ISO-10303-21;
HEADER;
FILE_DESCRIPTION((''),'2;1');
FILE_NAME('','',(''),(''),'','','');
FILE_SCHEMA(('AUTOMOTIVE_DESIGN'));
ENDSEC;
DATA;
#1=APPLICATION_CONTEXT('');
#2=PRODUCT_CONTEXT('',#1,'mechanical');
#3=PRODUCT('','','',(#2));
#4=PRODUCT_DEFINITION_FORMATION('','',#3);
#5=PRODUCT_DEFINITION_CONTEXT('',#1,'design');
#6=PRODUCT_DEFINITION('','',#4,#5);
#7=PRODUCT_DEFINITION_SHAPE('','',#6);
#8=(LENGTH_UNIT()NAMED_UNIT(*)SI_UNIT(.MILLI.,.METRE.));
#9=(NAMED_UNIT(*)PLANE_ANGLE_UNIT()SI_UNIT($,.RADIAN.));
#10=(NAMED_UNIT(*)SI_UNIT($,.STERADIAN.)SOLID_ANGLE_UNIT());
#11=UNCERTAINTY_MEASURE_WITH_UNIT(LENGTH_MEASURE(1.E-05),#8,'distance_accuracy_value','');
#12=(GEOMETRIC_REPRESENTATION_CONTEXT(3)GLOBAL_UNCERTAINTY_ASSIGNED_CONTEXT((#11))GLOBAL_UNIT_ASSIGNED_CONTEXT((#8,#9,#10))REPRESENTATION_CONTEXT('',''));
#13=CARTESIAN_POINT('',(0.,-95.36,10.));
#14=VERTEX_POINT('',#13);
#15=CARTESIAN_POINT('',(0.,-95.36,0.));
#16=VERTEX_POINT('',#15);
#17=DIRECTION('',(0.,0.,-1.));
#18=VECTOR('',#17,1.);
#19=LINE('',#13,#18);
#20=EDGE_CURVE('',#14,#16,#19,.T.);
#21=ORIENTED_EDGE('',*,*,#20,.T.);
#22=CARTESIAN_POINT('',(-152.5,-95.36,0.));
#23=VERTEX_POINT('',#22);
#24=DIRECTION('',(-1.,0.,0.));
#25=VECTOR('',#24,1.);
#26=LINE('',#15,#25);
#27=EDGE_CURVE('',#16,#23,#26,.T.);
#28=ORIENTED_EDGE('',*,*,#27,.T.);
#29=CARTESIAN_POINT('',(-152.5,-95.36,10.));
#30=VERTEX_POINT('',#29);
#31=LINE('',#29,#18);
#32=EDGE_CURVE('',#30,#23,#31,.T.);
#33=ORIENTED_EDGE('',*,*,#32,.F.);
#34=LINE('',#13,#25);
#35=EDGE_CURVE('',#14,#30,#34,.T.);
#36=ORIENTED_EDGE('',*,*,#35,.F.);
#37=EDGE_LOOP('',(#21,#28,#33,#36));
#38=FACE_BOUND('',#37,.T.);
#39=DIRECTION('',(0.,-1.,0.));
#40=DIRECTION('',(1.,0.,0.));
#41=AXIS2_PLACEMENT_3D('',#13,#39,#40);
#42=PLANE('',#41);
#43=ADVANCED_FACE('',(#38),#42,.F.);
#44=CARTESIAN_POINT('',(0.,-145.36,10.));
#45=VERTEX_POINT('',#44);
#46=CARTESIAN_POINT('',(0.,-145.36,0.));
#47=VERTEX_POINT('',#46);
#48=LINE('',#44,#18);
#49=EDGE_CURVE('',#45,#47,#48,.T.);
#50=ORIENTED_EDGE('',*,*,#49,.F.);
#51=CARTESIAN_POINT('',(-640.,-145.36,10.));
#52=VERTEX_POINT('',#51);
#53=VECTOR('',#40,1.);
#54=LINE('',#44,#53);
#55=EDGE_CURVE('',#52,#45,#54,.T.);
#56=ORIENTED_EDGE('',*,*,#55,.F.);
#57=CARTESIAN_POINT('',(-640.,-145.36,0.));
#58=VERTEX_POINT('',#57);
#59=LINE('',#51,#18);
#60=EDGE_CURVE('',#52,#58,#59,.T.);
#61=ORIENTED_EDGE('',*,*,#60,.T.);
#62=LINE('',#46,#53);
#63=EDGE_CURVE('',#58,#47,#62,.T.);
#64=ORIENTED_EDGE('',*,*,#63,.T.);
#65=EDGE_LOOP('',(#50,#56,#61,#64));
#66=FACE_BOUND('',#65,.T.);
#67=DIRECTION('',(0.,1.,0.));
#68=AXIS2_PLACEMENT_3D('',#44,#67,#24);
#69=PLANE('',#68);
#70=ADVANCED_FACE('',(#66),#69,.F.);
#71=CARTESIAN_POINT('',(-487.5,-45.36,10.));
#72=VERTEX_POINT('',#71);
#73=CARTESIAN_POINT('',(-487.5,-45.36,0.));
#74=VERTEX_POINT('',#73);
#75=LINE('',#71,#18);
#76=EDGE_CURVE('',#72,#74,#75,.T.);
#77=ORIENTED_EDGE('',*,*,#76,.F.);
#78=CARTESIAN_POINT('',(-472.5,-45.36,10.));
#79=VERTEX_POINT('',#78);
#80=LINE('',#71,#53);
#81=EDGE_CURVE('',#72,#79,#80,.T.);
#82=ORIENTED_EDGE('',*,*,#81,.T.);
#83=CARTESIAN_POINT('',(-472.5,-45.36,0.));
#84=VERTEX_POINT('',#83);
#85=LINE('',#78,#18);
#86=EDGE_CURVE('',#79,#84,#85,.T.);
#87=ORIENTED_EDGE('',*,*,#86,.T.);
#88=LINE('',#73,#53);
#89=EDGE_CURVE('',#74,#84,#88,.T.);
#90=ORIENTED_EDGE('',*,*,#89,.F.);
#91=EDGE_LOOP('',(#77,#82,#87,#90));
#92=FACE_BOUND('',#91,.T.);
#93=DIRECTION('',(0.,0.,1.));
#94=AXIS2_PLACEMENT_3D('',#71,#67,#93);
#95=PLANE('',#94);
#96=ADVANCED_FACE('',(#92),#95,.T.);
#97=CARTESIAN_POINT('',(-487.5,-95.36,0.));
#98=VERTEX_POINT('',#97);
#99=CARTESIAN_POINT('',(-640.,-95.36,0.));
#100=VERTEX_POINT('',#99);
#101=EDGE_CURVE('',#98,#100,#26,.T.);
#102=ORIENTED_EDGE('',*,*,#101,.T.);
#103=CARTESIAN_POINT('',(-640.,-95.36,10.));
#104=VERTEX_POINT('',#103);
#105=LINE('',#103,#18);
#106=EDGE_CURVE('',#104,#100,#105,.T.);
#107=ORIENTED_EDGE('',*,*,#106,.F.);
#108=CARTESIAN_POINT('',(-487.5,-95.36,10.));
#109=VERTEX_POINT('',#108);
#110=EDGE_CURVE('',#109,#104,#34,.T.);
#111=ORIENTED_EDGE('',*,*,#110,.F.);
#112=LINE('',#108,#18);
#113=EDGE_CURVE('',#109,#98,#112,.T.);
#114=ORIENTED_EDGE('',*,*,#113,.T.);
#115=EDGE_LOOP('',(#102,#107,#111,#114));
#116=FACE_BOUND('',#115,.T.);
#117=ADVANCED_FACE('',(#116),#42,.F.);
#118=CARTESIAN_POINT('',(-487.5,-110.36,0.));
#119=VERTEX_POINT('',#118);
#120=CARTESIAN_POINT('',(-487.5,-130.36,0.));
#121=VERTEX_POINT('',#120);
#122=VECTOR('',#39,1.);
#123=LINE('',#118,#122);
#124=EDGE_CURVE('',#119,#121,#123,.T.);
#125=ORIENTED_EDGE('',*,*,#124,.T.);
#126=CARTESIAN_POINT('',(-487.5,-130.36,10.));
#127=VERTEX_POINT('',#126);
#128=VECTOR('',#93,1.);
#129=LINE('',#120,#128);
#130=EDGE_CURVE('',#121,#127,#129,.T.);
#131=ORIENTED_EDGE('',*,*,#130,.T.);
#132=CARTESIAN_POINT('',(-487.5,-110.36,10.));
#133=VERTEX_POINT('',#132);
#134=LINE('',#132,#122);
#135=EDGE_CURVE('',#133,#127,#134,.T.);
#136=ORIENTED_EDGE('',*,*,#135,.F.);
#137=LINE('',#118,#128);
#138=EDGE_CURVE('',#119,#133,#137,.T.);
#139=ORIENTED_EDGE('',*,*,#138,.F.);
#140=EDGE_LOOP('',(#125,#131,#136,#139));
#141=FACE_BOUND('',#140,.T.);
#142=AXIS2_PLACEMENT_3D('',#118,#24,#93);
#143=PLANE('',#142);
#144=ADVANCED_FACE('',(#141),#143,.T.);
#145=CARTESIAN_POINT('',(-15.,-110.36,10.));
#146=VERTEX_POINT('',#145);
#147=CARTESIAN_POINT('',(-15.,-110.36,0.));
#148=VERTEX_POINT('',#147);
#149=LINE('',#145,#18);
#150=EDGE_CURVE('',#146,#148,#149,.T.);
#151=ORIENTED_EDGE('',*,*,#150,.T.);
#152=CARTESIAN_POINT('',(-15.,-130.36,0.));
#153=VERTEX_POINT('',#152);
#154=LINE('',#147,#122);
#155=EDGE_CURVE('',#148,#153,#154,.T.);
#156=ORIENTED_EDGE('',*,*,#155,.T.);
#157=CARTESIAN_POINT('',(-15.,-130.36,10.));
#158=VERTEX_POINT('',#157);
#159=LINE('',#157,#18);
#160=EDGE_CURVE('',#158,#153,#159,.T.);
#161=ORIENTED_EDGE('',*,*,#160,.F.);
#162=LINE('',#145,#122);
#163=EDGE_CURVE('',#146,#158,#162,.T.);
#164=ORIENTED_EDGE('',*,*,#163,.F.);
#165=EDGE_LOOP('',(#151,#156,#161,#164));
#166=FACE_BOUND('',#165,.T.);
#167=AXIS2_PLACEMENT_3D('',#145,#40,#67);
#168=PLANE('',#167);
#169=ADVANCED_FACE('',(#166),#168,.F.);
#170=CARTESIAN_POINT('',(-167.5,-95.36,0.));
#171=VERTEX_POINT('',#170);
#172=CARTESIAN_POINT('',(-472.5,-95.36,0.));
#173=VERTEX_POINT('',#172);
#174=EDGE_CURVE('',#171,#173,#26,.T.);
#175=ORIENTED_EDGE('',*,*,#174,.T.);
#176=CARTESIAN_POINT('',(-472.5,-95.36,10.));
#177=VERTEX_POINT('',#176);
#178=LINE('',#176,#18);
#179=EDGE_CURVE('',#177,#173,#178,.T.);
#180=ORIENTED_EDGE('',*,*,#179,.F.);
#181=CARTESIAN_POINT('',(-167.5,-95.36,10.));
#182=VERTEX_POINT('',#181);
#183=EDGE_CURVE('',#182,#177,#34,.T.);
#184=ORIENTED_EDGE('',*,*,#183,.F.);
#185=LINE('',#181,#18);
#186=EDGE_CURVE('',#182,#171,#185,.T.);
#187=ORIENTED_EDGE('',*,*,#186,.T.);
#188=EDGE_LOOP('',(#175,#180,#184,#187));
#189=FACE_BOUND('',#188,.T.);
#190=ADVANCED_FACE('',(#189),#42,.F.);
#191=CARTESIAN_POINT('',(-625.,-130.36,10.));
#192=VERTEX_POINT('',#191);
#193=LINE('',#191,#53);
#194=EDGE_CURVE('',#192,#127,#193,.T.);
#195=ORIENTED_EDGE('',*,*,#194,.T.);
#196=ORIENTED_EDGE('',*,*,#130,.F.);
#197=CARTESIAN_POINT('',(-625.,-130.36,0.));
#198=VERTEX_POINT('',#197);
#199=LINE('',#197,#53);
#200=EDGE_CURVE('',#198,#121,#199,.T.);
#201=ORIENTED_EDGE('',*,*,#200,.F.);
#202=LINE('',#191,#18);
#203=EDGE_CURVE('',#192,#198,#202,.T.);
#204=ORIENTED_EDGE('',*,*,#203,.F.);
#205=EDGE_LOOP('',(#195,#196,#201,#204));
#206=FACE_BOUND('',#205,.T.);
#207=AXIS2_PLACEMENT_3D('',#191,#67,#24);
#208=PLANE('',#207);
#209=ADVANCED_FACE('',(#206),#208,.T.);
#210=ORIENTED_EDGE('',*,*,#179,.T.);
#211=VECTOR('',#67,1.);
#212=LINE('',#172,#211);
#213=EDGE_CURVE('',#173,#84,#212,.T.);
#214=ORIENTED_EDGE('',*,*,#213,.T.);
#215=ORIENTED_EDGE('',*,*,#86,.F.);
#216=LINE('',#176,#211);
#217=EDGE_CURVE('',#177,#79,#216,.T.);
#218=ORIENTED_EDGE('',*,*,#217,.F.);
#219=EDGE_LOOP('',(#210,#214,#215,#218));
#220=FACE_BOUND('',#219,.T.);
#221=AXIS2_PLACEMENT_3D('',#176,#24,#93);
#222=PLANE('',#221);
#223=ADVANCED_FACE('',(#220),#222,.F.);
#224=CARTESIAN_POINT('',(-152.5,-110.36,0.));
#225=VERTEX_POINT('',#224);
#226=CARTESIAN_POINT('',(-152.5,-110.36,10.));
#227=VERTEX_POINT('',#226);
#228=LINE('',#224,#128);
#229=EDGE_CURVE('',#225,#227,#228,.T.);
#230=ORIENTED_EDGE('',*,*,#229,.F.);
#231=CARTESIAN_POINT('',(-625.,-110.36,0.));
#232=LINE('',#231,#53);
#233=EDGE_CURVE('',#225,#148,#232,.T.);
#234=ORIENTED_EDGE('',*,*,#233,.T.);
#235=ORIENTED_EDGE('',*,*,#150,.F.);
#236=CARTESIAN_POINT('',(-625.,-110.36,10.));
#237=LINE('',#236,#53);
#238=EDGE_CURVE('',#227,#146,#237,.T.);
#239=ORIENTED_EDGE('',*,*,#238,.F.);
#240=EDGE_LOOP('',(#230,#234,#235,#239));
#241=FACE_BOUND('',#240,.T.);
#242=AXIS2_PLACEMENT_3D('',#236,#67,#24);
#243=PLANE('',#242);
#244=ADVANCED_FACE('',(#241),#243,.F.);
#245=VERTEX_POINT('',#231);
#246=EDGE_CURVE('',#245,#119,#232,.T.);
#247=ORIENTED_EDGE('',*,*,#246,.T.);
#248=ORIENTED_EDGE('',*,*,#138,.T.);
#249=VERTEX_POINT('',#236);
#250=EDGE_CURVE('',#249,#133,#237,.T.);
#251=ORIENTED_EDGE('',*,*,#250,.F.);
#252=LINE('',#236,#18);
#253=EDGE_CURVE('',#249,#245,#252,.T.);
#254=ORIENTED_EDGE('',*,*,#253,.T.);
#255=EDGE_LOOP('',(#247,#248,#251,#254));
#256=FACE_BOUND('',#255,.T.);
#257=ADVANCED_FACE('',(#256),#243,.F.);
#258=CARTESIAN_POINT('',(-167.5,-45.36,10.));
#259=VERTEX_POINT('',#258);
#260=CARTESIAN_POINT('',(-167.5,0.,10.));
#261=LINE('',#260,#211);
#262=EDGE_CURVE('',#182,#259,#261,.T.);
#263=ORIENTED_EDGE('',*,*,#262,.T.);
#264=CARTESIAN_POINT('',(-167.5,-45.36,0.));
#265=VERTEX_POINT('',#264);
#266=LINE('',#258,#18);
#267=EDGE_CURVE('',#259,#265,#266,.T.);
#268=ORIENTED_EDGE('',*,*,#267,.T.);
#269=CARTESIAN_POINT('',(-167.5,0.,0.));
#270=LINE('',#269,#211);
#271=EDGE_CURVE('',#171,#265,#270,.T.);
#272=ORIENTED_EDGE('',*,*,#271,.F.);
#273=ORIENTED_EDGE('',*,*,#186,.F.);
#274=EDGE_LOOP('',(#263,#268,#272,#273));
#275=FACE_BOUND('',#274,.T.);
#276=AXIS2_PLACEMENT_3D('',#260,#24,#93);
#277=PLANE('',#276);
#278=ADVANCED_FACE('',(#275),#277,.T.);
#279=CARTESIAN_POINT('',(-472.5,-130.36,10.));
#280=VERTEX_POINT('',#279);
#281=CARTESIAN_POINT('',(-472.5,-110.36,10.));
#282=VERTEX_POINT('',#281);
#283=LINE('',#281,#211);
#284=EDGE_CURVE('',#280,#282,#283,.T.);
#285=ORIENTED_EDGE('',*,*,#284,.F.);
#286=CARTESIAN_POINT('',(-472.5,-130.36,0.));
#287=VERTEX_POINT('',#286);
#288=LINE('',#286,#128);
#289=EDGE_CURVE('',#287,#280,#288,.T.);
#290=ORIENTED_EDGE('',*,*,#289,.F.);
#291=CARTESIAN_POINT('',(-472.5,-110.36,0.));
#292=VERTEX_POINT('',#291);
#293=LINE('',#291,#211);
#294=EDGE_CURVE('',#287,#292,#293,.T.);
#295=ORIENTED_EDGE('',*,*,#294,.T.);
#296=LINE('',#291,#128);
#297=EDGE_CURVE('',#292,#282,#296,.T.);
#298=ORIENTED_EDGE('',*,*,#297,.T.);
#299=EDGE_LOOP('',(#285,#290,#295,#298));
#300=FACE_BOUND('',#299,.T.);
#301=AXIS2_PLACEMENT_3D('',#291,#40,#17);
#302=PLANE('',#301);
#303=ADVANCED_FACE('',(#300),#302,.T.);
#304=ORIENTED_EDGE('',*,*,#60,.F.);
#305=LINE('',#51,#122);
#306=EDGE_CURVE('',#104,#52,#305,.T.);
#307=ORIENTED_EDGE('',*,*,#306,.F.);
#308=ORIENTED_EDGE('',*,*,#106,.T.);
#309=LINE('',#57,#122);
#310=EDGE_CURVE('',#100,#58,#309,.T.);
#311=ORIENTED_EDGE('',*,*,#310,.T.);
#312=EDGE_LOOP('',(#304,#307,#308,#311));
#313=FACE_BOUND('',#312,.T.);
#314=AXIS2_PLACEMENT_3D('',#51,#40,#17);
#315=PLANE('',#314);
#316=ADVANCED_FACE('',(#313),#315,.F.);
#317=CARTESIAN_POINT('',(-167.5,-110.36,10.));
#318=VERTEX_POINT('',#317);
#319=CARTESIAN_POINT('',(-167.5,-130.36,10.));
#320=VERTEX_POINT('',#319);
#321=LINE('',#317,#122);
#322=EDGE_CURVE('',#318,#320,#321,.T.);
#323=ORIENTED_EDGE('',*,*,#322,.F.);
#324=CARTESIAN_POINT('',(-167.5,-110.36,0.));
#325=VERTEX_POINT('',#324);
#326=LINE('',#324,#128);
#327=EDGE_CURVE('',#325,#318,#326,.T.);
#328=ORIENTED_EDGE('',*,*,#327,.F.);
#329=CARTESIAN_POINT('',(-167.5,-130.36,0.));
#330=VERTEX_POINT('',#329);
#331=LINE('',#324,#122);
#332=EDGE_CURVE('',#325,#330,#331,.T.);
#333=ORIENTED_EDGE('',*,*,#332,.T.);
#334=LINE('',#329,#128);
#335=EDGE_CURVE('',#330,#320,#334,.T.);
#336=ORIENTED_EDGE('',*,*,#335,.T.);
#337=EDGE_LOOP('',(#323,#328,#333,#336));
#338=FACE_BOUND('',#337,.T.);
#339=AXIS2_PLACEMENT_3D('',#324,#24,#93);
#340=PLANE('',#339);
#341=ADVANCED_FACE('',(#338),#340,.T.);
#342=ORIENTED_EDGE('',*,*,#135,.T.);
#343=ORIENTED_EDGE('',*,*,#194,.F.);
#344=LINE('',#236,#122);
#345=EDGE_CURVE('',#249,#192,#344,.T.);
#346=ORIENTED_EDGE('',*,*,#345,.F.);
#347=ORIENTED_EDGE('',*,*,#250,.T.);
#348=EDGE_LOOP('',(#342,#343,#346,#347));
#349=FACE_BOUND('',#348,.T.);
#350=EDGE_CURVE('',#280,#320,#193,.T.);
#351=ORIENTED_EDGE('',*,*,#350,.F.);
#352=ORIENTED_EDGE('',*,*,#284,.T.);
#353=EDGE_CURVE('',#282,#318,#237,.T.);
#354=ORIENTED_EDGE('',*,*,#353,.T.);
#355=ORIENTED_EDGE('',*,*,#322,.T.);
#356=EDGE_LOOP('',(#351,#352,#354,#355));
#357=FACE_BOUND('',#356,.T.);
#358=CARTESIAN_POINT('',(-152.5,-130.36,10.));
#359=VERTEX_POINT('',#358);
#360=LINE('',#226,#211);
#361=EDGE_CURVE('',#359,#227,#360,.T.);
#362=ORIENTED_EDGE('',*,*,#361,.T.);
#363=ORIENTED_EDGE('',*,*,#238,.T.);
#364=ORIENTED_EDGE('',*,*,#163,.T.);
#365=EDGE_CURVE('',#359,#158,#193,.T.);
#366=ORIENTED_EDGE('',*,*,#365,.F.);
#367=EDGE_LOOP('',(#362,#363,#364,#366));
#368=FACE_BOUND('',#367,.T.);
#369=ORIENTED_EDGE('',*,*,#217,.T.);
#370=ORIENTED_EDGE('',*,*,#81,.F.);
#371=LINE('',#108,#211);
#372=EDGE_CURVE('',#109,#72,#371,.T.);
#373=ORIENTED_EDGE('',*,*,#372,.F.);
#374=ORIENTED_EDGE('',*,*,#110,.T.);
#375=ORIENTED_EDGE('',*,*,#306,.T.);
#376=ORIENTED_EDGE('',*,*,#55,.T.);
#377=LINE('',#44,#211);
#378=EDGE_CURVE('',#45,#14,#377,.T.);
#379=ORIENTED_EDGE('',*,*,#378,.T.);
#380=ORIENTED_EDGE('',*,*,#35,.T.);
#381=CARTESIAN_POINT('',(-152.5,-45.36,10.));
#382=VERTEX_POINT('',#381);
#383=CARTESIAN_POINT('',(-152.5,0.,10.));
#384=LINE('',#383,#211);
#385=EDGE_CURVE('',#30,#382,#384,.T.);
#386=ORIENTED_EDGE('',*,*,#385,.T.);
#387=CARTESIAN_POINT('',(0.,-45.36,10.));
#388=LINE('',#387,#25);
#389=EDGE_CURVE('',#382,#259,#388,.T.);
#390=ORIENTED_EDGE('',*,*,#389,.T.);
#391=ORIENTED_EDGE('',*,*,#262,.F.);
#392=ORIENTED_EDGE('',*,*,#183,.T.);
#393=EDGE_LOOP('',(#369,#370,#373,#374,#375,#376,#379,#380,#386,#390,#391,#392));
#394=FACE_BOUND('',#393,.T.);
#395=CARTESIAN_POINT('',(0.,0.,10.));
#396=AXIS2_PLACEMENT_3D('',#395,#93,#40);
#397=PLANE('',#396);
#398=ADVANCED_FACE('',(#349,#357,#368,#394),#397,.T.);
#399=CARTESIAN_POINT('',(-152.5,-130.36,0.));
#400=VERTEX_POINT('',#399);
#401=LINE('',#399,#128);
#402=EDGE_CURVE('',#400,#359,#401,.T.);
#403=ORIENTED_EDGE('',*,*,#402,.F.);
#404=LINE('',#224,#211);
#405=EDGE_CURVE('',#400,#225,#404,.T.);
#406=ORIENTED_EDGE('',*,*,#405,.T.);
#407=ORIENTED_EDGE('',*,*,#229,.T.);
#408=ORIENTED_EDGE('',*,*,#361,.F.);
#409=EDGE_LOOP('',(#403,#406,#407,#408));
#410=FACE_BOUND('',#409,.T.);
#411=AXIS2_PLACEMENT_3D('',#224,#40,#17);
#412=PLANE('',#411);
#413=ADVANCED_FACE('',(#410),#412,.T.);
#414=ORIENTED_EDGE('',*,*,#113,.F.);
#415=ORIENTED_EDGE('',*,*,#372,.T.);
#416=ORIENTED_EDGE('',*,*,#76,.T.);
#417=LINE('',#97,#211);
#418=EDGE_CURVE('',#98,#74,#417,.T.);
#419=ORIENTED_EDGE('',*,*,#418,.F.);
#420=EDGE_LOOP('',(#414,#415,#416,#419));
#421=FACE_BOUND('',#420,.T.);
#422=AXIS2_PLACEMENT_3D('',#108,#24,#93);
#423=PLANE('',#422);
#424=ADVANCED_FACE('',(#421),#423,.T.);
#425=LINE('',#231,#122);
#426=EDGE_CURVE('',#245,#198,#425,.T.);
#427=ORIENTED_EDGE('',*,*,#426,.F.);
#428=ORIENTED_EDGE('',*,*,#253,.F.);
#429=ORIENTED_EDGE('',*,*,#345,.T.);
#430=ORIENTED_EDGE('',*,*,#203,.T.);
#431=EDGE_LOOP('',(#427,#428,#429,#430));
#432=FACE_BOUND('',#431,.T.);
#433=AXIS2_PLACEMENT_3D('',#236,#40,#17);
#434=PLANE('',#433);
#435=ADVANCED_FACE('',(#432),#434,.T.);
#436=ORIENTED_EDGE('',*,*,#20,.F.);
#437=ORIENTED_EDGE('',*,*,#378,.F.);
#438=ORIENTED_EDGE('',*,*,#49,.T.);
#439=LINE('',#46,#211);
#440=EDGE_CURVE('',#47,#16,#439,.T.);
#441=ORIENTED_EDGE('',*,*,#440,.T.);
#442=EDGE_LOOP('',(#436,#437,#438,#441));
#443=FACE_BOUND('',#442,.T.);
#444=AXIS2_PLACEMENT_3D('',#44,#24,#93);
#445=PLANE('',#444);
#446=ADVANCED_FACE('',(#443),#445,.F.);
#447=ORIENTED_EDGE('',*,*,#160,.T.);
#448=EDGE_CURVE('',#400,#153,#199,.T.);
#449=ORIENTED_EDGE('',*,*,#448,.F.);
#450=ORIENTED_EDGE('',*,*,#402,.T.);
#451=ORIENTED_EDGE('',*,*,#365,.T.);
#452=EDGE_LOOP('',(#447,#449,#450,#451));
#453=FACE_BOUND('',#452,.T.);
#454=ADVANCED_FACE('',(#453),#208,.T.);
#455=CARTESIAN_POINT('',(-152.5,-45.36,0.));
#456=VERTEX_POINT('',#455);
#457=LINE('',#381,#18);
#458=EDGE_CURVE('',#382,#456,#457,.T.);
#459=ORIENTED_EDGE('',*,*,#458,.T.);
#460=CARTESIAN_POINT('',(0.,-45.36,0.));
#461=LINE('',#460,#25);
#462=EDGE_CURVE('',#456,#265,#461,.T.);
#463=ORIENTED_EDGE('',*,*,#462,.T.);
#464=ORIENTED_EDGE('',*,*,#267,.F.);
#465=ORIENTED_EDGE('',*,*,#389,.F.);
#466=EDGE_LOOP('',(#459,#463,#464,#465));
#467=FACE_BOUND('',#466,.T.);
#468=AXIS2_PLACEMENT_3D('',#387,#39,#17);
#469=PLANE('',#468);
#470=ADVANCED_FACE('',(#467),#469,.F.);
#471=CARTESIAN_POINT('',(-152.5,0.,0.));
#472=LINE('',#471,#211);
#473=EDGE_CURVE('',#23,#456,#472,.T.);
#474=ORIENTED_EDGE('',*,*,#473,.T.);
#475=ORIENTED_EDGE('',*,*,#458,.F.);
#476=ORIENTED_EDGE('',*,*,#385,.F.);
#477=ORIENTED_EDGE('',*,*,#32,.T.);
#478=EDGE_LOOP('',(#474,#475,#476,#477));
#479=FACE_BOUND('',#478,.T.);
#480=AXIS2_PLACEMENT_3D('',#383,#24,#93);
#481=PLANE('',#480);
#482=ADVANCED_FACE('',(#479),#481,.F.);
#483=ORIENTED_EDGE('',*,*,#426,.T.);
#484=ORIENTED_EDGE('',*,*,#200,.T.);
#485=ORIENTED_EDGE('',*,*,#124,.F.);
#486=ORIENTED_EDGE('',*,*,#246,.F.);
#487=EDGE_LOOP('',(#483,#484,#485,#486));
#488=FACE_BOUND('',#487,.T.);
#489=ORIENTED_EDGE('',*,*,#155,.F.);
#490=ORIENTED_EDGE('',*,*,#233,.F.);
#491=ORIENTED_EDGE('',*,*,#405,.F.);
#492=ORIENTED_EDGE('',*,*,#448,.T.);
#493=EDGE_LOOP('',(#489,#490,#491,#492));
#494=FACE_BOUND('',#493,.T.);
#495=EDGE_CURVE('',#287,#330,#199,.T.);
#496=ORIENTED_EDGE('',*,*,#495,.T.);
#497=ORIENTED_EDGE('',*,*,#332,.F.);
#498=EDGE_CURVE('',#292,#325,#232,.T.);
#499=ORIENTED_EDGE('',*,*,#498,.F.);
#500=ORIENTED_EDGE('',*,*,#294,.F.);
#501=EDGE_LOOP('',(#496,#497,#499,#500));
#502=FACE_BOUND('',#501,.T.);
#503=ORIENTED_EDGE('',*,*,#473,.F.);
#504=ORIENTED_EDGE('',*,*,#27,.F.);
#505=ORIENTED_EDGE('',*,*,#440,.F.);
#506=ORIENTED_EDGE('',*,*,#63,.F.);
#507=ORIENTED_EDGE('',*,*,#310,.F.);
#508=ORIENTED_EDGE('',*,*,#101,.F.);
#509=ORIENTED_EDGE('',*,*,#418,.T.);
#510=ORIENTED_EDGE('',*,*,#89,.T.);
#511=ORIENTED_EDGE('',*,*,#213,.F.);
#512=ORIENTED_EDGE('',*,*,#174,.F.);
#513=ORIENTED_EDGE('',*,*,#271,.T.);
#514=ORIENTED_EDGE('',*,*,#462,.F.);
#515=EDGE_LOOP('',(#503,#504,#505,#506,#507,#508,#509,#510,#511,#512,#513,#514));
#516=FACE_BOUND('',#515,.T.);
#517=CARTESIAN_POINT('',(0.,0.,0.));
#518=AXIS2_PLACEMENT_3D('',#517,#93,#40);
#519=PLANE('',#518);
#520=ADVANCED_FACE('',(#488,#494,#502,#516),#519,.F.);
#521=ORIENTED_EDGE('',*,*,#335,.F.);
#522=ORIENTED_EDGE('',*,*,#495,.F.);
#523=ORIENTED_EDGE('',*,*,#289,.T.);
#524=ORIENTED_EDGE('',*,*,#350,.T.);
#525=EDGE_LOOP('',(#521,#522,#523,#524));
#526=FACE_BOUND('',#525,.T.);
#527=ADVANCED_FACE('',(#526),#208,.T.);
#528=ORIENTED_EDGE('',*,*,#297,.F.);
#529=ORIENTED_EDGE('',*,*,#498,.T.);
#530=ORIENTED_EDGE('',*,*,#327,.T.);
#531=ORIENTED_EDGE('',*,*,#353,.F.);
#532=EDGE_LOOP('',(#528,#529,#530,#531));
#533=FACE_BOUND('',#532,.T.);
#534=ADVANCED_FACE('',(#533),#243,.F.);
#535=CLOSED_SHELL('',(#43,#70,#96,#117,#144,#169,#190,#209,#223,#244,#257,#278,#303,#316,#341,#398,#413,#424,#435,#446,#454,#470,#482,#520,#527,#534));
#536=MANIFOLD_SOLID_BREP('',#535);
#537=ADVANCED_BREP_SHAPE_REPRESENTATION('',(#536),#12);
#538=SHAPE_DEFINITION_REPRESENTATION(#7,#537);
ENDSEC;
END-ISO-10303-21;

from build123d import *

# Parameters (mm, degrees)
SKETCH1_W                = 640
SKETCH1_H                = 50
BOSS_EXTRUDE1_DEPTH      = 10
SKETCH2_W                = 15
SKETCH2_H                = 50
BOSS_EXTRUDE2_DEPTH      = 10
SKETCH3_W                = 610
SKETCH3_H                = 20
CUT_EXTRUDE1_DEPTH       = 10
ESBO_O1_W                = 15
ESBO_O1_H                = 20
RESSALTO_EXTRUS_O1_DEPTH = 10


with BuildPart() as part:
    # Sketch1 → Boss-Extrude1 (new body)
    with BuildSketch(Plane.XY):
        with Locations((-320, -120.36)):
            Rectangle(SKETCH1_W, SKETCH1_H)
    extrude(amount=BOSS_EXTRUDE1_DEPTH)

    # Sketch2 → Boss-Extrude2 (add)
    with BuildSketch(Plane.XY):
        with Locations((-160, -70.36)):
            Rectangle(SKETCH2_W, SKETCH2_H)
        with Locations((-480, -70.36)):
            Rectangle(SKETCH2_W, SKETCH2_H)
    extrude(amount=BOSS_EXTRUDE2_DEPTH)

    # Sketch3 → Cut-Extrude1 (cut)
    with BuildSketch(Plane(origin=(0, 0, 0), x_dir=(-1, 0, 0), z_dir=(0, 0, -1))):
        with Locations((320, -120.36)):
            Rectangle(SKETCH3_W, SKETCH3_H)
    extrude(amount=-CUT_EXTRUDE1_DEPTH, mode=Mode.SUBTRACT)

    # Esboço1 → Ressalto-extrusão1 (add)
    with BuildSketch(Plane.XY.offset(10)):
        with Locations((-480, -120.36)):
            Rectangle(ESBO_O1_W, ESBO_O1_H)
        with Locations((-160, -120.36)):
            Rectangle(ESBO_O1_W, ESBO_O1_H)
    extrude(amount=-RESSALTO_EXTRUS_O1_DEPTH)


solid = part.part
